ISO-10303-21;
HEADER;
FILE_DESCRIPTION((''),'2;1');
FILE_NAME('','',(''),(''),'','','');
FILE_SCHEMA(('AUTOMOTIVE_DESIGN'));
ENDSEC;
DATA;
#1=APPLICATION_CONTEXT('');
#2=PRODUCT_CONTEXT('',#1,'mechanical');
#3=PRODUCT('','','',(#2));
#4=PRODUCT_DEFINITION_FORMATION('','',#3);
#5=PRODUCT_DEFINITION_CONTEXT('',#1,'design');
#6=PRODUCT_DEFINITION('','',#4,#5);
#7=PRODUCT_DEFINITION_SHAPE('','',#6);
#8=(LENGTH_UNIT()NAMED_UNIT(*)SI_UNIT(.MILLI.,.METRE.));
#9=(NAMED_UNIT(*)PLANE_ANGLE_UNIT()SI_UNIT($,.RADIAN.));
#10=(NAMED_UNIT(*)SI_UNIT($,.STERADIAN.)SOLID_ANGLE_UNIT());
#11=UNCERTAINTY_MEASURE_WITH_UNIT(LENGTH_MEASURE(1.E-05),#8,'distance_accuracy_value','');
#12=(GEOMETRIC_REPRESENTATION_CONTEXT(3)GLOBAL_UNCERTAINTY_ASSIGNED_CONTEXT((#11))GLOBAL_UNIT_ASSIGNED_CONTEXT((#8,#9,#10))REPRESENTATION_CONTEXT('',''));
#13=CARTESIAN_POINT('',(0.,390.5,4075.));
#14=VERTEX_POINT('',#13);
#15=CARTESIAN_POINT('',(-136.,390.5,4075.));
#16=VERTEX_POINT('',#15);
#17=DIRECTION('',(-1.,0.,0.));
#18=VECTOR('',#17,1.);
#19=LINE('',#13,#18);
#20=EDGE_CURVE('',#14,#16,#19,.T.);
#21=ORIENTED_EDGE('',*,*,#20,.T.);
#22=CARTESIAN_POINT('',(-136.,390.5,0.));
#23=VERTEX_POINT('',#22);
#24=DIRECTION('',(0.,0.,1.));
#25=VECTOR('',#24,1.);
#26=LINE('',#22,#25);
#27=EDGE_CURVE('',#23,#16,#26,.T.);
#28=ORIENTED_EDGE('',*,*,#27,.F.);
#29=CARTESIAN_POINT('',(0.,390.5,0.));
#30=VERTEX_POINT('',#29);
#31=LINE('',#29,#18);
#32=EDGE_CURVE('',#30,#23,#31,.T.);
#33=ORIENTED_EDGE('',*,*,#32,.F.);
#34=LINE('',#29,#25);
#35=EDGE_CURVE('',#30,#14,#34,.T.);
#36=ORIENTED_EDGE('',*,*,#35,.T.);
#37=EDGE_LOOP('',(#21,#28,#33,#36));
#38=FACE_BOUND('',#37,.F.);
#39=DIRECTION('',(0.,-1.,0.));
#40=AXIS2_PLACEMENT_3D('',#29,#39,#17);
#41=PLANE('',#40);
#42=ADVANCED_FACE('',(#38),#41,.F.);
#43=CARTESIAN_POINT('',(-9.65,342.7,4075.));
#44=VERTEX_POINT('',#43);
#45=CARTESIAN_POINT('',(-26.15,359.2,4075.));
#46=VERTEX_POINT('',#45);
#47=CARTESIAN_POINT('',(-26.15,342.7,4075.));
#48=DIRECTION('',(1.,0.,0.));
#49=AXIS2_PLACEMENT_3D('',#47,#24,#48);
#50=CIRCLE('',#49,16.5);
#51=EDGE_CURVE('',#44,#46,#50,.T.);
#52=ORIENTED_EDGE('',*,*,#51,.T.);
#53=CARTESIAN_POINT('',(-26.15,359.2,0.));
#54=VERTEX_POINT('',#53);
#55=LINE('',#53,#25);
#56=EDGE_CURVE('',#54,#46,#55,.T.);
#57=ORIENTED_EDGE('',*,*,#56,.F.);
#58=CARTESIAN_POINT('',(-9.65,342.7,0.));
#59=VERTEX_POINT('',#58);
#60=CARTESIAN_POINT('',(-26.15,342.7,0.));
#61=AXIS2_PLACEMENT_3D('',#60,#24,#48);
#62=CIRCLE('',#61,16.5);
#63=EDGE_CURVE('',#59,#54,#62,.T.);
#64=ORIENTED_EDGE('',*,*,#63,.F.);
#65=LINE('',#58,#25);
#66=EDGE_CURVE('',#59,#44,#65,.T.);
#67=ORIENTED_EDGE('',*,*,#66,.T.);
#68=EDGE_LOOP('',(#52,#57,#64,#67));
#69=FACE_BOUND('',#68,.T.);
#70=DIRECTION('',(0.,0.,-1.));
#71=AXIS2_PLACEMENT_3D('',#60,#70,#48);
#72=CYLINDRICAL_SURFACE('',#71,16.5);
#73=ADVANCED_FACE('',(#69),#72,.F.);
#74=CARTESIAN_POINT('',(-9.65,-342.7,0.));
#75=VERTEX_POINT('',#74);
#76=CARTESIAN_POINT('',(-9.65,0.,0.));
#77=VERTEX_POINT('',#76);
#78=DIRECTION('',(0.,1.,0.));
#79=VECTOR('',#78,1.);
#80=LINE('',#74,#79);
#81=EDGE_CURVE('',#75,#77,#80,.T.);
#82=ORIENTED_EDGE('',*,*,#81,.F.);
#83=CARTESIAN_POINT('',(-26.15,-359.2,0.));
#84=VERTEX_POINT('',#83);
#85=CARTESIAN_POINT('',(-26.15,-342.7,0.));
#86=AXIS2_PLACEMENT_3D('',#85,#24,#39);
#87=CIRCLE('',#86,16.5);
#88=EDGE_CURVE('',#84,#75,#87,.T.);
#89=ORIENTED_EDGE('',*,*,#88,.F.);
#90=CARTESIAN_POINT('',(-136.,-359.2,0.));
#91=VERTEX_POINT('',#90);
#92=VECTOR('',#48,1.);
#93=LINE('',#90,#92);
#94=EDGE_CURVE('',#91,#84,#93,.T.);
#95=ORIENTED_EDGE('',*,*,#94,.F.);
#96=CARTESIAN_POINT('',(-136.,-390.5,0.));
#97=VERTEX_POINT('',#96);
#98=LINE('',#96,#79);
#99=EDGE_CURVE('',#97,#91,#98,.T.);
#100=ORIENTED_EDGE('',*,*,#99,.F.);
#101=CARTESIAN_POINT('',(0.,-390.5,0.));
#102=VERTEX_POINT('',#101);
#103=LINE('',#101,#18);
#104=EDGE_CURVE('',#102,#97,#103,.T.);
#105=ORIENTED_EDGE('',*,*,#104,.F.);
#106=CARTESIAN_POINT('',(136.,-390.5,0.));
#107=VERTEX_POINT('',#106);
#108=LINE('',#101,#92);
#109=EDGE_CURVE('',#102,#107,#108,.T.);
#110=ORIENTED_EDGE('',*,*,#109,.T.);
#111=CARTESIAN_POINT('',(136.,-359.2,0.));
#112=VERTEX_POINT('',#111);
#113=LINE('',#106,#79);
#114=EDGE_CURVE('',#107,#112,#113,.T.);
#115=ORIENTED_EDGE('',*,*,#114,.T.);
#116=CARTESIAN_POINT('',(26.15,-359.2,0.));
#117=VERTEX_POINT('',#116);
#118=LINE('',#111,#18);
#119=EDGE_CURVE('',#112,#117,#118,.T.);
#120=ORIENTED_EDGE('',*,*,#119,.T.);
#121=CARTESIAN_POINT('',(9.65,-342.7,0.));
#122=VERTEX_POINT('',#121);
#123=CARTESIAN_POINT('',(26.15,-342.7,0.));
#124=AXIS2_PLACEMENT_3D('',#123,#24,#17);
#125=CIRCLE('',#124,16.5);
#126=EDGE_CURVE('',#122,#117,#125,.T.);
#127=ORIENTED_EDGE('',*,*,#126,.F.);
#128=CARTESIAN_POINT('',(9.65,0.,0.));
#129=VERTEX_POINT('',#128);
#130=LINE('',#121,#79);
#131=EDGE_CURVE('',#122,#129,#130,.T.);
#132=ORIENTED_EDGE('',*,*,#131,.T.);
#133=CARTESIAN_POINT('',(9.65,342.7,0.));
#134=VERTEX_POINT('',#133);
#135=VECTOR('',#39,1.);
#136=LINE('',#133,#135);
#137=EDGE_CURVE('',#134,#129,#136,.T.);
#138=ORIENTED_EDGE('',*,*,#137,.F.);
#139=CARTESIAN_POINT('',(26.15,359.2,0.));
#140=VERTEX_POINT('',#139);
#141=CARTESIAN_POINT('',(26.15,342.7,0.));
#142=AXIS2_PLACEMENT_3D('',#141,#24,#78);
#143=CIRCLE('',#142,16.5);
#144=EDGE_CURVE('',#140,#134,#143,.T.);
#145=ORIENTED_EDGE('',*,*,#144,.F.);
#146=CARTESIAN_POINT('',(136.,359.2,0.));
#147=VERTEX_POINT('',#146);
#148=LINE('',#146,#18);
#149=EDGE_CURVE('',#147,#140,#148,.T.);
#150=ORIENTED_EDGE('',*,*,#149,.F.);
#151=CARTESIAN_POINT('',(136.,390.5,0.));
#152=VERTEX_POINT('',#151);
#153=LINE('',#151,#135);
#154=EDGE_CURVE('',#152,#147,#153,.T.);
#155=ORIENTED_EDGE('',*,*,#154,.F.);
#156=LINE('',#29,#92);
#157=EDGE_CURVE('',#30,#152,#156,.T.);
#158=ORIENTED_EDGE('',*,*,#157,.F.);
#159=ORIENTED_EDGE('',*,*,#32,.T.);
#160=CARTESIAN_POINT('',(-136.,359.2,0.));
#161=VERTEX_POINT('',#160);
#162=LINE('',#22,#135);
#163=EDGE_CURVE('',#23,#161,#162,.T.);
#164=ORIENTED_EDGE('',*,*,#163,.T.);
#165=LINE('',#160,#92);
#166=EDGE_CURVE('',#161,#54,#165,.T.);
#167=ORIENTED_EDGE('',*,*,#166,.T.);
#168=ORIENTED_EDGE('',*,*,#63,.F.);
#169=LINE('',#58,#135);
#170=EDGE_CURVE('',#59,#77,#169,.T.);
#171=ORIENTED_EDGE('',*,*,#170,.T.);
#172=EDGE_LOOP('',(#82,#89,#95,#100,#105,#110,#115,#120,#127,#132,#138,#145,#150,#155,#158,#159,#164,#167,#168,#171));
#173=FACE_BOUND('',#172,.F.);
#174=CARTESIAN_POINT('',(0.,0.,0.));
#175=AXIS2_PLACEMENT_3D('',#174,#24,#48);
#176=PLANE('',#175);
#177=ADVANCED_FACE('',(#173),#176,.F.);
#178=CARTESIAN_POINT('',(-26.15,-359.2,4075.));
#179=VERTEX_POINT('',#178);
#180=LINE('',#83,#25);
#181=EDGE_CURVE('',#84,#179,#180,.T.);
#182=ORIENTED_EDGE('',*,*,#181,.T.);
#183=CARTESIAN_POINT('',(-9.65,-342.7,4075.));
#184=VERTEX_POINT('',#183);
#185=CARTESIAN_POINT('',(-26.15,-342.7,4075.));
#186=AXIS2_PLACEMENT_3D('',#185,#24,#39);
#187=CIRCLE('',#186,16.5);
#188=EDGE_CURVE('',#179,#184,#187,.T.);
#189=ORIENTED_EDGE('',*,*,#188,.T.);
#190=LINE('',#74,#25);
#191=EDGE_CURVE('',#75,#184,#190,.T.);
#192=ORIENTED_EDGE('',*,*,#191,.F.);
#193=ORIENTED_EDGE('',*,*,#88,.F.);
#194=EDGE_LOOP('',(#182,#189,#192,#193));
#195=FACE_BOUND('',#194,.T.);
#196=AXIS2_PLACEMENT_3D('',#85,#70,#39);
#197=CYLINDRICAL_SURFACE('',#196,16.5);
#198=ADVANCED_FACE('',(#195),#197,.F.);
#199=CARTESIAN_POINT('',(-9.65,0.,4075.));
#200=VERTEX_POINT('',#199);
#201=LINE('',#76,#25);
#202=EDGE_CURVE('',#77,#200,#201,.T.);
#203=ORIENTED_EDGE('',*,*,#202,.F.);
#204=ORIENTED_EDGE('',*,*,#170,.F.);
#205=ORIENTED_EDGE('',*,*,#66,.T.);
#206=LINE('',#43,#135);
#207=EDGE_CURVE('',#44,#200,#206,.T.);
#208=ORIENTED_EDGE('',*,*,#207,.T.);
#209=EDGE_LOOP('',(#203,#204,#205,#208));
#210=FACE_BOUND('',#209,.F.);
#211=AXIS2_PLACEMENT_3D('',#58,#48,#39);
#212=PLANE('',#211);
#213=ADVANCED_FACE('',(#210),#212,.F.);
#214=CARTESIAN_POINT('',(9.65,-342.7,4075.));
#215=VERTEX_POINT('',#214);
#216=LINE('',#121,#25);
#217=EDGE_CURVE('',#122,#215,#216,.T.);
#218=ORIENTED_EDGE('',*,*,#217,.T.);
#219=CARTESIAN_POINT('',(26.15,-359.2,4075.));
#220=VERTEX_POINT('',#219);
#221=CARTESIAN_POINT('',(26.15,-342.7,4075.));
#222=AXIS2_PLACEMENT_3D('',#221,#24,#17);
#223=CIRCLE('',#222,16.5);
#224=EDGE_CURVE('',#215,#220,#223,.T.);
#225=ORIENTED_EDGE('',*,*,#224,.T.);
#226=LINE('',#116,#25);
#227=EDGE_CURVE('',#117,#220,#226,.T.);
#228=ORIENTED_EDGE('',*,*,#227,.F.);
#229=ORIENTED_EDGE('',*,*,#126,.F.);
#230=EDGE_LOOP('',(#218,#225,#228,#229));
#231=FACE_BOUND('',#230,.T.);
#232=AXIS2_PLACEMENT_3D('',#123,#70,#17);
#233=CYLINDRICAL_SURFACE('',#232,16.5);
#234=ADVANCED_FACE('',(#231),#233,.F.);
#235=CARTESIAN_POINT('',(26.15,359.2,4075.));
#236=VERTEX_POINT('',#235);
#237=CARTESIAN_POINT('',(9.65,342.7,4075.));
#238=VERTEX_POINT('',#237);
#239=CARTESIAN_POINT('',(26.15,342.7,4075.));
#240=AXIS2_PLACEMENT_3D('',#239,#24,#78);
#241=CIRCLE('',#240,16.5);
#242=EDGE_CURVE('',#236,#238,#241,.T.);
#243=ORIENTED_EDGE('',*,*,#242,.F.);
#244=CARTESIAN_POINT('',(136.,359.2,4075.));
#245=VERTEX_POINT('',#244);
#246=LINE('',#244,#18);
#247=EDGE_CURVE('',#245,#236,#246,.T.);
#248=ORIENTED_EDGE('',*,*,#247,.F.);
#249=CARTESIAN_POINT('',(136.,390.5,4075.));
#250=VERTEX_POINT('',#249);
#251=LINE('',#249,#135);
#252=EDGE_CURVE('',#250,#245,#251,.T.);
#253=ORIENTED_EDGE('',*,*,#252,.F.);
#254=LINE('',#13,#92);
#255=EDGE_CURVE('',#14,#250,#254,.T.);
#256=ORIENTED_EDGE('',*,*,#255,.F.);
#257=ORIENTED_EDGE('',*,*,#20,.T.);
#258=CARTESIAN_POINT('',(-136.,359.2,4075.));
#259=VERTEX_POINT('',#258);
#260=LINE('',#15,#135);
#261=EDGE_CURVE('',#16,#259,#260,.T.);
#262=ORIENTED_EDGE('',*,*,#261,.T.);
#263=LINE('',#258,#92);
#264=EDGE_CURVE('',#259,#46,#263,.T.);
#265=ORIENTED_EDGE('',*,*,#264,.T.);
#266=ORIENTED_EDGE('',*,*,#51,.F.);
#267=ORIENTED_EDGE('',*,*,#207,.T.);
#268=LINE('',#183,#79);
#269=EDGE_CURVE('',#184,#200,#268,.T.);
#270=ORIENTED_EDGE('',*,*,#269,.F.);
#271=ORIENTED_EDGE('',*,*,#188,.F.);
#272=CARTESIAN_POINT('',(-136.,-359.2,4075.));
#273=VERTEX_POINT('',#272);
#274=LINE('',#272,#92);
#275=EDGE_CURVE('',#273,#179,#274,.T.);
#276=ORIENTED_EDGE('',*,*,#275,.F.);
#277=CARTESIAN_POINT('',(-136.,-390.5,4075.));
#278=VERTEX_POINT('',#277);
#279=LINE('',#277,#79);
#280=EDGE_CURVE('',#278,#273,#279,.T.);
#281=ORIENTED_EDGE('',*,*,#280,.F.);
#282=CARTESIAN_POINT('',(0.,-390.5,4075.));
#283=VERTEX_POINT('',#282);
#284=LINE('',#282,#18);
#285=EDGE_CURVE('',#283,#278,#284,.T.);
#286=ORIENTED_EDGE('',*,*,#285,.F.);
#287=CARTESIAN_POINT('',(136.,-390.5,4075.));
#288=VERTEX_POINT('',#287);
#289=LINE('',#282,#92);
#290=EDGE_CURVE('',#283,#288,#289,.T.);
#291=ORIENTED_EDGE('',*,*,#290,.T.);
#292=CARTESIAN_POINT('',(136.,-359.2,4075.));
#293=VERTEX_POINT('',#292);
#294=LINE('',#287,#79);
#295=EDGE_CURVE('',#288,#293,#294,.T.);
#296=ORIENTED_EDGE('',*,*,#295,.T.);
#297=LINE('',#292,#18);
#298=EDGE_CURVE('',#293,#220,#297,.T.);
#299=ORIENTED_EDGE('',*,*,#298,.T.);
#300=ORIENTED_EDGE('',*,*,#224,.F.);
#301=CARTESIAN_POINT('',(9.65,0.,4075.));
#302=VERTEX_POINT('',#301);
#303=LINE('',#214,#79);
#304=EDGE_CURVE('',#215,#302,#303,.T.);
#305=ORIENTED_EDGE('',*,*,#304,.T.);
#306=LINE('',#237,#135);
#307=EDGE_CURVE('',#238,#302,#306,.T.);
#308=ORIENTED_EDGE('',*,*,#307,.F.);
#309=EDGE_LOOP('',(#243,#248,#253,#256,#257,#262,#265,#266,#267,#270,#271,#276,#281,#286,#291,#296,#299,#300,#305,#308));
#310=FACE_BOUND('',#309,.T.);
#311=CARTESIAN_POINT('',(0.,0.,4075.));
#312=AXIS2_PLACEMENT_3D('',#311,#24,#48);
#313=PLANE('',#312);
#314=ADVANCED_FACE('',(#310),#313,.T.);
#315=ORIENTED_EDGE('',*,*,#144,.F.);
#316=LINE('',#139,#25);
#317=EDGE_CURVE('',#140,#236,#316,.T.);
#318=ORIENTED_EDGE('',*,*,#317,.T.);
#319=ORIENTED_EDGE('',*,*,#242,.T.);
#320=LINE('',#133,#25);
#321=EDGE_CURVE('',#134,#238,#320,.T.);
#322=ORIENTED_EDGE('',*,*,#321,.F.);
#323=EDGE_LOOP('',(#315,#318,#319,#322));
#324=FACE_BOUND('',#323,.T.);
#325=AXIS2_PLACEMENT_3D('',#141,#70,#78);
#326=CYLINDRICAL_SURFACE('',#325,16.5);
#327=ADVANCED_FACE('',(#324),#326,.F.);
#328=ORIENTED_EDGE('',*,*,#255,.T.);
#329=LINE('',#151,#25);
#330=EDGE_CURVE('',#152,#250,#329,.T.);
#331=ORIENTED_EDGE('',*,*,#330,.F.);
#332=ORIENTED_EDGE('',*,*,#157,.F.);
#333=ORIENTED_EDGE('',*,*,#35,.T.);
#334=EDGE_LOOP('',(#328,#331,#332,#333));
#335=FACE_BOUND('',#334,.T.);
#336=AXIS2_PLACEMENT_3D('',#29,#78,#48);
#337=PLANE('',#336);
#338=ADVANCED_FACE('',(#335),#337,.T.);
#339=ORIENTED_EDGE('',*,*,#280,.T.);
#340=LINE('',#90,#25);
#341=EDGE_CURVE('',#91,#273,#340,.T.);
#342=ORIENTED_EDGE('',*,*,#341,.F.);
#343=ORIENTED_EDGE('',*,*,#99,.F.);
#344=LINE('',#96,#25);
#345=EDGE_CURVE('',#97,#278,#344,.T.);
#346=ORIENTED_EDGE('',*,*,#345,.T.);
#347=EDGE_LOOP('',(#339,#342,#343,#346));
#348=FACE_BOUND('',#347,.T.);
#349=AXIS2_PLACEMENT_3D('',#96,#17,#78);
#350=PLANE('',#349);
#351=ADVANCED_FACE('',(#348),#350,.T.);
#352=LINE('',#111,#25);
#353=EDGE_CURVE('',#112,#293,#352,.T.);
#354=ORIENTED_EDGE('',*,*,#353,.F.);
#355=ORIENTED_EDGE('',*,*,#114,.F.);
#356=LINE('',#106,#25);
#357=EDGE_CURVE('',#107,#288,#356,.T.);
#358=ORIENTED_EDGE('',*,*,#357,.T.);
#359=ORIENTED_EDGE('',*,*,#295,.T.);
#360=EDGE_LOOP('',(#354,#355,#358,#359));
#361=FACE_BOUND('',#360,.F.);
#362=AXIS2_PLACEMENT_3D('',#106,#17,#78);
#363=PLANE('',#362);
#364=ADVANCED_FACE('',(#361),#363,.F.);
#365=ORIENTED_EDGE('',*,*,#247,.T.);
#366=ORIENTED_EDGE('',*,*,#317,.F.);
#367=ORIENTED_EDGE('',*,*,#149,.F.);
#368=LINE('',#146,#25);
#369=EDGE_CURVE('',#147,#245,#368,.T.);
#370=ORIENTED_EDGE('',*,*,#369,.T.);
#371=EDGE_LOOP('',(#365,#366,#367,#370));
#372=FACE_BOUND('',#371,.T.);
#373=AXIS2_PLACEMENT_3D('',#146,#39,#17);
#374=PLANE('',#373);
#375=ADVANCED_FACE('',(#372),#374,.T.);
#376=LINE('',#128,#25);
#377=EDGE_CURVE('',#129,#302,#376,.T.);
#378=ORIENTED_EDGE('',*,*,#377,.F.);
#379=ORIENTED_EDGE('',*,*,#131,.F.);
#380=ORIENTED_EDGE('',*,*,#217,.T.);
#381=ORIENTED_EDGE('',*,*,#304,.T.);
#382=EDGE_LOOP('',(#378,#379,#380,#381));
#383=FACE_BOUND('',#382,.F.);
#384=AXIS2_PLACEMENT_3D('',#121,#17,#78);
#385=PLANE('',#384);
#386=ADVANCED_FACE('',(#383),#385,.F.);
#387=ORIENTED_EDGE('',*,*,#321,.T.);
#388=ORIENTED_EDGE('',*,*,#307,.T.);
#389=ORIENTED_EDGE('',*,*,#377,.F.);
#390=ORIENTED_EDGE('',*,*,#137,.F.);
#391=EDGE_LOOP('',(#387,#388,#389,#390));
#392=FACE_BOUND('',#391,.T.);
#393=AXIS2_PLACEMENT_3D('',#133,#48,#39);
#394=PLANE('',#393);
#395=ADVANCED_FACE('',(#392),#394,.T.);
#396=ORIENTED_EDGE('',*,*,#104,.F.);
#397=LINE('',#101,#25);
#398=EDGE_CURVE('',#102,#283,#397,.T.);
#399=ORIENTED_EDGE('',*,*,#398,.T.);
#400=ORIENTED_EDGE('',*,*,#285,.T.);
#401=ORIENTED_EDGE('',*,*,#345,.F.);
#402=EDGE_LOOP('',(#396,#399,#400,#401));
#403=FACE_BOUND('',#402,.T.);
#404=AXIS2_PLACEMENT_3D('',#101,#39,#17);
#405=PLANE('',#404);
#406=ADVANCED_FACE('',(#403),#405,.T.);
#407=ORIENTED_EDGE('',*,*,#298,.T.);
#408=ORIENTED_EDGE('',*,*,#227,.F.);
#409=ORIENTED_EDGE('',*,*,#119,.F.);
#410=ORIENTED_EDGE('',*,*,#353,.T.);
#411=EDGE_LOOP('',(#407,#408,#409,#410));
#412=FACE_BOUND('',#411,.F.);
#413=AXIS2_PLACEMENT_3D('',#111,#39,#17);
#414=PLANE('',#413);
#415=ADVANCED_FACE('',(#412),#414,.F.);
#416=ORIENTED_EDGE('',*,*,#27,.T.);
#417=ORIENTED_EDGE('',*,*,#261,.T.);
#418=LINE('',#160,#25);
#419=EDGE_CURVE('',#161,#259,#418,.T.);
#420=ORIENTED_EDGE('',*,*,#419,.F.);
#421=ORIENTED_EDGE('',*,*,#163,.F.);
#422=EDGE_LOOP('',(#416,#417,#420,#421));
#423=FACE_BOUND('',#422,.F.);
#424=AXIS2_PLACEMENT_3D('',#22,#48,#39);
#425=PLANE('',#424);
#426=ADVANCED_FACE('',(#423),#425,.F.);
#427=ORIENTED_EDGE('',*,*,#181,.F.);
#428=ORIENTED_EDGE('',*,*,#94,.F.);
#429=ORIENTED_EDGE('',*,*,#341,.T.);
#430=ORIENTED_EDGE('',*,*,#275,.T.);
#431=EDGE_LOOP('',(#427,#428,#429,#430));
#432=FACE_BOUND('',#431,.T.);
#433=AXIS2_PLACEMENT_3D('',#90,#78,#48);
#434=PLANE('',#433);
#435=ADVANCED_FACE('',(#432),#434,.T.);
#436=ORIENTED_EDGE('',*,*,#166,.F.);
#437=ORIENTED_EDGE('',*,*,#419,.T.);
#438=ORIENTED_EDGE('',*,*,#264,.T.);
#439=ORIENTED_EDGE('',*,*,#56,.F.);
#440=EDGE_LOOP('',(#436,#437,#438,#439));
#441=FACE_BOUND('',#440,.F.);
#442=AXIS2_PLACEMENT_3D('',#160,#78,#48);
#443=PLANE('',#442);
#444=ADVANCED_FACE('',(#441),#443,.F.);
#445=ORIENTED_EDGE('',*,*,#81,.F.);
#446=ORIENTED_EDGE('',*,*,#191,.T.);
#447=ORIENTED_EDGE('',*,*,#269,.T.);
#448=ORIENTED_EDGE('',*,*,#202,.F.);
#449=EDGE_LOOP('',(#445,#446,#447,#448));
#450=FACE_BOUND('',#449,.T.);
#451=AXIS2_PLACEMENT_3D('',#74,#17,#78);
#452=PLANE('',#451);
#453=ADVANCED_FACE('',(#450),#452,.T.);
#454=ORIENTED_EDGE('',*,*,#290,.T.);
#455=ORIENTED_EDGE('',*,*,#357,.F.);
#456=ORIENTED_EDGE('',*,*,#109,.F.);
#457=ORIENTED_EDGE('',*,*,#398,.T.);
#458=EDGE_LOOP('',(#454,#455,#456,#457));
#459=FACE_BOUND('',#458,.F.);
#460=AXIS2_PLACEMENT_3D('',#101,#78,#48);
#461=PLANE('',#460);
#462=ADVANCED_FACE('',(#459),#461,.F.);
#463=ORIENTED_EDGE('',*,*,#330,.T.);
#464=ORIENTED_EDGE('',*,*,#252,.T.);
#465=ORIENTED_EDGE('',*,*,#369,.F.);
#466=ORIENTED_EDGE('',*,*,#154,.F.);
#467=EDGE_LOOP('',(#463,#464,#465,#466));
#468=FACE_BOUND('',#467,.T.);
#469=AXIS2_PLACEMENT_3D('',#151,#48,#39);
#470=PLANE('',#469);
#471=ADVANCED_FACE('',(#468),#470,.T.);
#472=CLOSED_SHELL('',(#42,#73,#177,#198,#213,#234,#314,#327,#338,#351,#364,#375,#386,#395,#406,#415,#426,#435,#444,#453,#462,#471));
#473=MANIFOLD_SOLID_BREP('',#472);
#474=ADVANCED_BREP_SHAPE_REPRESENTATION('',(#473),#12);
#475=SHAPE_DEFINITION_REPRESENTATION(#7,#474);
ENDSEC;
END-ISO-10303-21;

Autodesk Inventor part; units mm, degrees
ref_plane "YZ Plane" through (0, 0, 0) normal (1, 0, 0) x (0, 1, 0)
ref_plane "Start plane" through (0, 0, 0) normal (0, 0, 1) x (1, 0, 0)
ref_plane "End plane" through (0, 0, 4075) normal (0, 0, 1) x (1, 0, 0)
sketch "Sketch" plane through (0, 0, 0) normal (0, 0, 1) x (1, 0, 0)
  line L0 (-136, -390.5) -> (-136, -359.2)
  line L1 (-136, -359.2) -> (-26.15, -359.2)
  line L2 (-9.65, -342.7) -> (-9.65, 0)
  line L3 (-9.65, 0) -> (0, 0) construction
  line L4 (0, 0) -> (0, -390.5) construction
  line L5 (0, -390.5) -> (-136, -390.5)
  line L6 (-60, 0) -> (80, 0) construction
  line L7 (0, -60) -> (0, 80) construction
  line L8 (136, -390.5) -> (136, -359.2)
  line L9 (136, -359.2) -> (26.15, -359.2)
  line L10 (9.65, -342.7) -> (9.65, 0)
  line L11 (9.65, 0) -> (0, 0) construction
  line L12 (0, -390.5) -> (136, -390.5)
  line L13 (-136, 390.5) -> (-136, 359.2)
  line L14 (-136, 359.2) -> (-26.15, 359.2)
  line L15 (-9.65, 342.7) -> (-9.65, 0)
  line L16 (0, 390.5) -> (-136, 390.5)
  line L17 (136, 390.5) -> (136, 359.2)
  line L18 (136, 359.2) -> (26.15, 359.2)
  line L19 (0, 390.5) -> (136, 390.5)
  line L20 (9.65, 342.7) -> (9.65, 0)
  arc A0 (-9.65, 342.7) -> (-26.15, 359.2) centre (-26.15, 342.7) ccw
  arc A1 (26.15, 359.2) -> (9.65, 342.7) centre (26.15, 342.7) ccw
  arc A2 (9.65, -342.7) -> (26.15, -359.2) centre (26.15, -342.7) ccw
  arc A3 (-26.15, -359.2) -> (-9.65, -342.7) centre (-26.15, -342.7) ccw
  line L21 (0, 108) -> (0, -88) construction
  line L22 (-88, 0) -> (108, 0) construction
  point P0 (-9.65, -359.2)
  point P1 (9.65, -359.2)
  point P2 (-9.65, 359.2)
  point P3 (9.65, 359.2)
  dimension "d1" = 390.5
  dimension "d2" = 31.3
  dimension "d3" = 136
  dimension "d4" = 9.65
  dimension "d10" = 16.5
extrude "Body" add sketch "Sketch" along normal up to surface (4075 mm away) from surface at 0
sketch "Sketch4" plane through (0, 0, 0) normal (0, 0, 1) x (1, 0, 0)
  line L0 (0, 0) -> (10, 0)
ref_plane "Work Plane3" through (0, 0, 0) normal (0, -1, 0) x (1, 0, 0)
sketch "Sketch5" plane through (0, 0, 0) normal (0, -1, 0) x (1, 0, 0)
  line L0 (-2, 0) -> (12, 0) projected
  line L1 (-2, 4075) -> (12, 4075) projected
  dimension "d14" = 4075
equation "\"d1\" = 0.5 * G_H"
equation "\"d2\" = G_T1"
equation "\"d3\" = 0.5 * G_W"
equation "\"d4\" = 0.5 * G_T"
equation "\"d10\" = G_IR"
equation "\"d5\" = G_L"
equation "\"G_W\" = 272"
equation "\"G_H\" = 781"
equation "\"G_T\" = 19.3"
equation "\"G_T1\" = 31.3"
equation "\"G_IR\" = 16.5"
equation "\"G_L\" = d14"
equation "\"G_OFFSET_START\" = 0"
equation "\"G_OFFSET_END\" = 0"
equation "\"d12\" = G_OFFSET_END + B_L"
equation "\"B_L\" = 4075"
properties part number "AS 3679-1990 - 760 UB - 244 - 4075" material "Steel, Mild"
